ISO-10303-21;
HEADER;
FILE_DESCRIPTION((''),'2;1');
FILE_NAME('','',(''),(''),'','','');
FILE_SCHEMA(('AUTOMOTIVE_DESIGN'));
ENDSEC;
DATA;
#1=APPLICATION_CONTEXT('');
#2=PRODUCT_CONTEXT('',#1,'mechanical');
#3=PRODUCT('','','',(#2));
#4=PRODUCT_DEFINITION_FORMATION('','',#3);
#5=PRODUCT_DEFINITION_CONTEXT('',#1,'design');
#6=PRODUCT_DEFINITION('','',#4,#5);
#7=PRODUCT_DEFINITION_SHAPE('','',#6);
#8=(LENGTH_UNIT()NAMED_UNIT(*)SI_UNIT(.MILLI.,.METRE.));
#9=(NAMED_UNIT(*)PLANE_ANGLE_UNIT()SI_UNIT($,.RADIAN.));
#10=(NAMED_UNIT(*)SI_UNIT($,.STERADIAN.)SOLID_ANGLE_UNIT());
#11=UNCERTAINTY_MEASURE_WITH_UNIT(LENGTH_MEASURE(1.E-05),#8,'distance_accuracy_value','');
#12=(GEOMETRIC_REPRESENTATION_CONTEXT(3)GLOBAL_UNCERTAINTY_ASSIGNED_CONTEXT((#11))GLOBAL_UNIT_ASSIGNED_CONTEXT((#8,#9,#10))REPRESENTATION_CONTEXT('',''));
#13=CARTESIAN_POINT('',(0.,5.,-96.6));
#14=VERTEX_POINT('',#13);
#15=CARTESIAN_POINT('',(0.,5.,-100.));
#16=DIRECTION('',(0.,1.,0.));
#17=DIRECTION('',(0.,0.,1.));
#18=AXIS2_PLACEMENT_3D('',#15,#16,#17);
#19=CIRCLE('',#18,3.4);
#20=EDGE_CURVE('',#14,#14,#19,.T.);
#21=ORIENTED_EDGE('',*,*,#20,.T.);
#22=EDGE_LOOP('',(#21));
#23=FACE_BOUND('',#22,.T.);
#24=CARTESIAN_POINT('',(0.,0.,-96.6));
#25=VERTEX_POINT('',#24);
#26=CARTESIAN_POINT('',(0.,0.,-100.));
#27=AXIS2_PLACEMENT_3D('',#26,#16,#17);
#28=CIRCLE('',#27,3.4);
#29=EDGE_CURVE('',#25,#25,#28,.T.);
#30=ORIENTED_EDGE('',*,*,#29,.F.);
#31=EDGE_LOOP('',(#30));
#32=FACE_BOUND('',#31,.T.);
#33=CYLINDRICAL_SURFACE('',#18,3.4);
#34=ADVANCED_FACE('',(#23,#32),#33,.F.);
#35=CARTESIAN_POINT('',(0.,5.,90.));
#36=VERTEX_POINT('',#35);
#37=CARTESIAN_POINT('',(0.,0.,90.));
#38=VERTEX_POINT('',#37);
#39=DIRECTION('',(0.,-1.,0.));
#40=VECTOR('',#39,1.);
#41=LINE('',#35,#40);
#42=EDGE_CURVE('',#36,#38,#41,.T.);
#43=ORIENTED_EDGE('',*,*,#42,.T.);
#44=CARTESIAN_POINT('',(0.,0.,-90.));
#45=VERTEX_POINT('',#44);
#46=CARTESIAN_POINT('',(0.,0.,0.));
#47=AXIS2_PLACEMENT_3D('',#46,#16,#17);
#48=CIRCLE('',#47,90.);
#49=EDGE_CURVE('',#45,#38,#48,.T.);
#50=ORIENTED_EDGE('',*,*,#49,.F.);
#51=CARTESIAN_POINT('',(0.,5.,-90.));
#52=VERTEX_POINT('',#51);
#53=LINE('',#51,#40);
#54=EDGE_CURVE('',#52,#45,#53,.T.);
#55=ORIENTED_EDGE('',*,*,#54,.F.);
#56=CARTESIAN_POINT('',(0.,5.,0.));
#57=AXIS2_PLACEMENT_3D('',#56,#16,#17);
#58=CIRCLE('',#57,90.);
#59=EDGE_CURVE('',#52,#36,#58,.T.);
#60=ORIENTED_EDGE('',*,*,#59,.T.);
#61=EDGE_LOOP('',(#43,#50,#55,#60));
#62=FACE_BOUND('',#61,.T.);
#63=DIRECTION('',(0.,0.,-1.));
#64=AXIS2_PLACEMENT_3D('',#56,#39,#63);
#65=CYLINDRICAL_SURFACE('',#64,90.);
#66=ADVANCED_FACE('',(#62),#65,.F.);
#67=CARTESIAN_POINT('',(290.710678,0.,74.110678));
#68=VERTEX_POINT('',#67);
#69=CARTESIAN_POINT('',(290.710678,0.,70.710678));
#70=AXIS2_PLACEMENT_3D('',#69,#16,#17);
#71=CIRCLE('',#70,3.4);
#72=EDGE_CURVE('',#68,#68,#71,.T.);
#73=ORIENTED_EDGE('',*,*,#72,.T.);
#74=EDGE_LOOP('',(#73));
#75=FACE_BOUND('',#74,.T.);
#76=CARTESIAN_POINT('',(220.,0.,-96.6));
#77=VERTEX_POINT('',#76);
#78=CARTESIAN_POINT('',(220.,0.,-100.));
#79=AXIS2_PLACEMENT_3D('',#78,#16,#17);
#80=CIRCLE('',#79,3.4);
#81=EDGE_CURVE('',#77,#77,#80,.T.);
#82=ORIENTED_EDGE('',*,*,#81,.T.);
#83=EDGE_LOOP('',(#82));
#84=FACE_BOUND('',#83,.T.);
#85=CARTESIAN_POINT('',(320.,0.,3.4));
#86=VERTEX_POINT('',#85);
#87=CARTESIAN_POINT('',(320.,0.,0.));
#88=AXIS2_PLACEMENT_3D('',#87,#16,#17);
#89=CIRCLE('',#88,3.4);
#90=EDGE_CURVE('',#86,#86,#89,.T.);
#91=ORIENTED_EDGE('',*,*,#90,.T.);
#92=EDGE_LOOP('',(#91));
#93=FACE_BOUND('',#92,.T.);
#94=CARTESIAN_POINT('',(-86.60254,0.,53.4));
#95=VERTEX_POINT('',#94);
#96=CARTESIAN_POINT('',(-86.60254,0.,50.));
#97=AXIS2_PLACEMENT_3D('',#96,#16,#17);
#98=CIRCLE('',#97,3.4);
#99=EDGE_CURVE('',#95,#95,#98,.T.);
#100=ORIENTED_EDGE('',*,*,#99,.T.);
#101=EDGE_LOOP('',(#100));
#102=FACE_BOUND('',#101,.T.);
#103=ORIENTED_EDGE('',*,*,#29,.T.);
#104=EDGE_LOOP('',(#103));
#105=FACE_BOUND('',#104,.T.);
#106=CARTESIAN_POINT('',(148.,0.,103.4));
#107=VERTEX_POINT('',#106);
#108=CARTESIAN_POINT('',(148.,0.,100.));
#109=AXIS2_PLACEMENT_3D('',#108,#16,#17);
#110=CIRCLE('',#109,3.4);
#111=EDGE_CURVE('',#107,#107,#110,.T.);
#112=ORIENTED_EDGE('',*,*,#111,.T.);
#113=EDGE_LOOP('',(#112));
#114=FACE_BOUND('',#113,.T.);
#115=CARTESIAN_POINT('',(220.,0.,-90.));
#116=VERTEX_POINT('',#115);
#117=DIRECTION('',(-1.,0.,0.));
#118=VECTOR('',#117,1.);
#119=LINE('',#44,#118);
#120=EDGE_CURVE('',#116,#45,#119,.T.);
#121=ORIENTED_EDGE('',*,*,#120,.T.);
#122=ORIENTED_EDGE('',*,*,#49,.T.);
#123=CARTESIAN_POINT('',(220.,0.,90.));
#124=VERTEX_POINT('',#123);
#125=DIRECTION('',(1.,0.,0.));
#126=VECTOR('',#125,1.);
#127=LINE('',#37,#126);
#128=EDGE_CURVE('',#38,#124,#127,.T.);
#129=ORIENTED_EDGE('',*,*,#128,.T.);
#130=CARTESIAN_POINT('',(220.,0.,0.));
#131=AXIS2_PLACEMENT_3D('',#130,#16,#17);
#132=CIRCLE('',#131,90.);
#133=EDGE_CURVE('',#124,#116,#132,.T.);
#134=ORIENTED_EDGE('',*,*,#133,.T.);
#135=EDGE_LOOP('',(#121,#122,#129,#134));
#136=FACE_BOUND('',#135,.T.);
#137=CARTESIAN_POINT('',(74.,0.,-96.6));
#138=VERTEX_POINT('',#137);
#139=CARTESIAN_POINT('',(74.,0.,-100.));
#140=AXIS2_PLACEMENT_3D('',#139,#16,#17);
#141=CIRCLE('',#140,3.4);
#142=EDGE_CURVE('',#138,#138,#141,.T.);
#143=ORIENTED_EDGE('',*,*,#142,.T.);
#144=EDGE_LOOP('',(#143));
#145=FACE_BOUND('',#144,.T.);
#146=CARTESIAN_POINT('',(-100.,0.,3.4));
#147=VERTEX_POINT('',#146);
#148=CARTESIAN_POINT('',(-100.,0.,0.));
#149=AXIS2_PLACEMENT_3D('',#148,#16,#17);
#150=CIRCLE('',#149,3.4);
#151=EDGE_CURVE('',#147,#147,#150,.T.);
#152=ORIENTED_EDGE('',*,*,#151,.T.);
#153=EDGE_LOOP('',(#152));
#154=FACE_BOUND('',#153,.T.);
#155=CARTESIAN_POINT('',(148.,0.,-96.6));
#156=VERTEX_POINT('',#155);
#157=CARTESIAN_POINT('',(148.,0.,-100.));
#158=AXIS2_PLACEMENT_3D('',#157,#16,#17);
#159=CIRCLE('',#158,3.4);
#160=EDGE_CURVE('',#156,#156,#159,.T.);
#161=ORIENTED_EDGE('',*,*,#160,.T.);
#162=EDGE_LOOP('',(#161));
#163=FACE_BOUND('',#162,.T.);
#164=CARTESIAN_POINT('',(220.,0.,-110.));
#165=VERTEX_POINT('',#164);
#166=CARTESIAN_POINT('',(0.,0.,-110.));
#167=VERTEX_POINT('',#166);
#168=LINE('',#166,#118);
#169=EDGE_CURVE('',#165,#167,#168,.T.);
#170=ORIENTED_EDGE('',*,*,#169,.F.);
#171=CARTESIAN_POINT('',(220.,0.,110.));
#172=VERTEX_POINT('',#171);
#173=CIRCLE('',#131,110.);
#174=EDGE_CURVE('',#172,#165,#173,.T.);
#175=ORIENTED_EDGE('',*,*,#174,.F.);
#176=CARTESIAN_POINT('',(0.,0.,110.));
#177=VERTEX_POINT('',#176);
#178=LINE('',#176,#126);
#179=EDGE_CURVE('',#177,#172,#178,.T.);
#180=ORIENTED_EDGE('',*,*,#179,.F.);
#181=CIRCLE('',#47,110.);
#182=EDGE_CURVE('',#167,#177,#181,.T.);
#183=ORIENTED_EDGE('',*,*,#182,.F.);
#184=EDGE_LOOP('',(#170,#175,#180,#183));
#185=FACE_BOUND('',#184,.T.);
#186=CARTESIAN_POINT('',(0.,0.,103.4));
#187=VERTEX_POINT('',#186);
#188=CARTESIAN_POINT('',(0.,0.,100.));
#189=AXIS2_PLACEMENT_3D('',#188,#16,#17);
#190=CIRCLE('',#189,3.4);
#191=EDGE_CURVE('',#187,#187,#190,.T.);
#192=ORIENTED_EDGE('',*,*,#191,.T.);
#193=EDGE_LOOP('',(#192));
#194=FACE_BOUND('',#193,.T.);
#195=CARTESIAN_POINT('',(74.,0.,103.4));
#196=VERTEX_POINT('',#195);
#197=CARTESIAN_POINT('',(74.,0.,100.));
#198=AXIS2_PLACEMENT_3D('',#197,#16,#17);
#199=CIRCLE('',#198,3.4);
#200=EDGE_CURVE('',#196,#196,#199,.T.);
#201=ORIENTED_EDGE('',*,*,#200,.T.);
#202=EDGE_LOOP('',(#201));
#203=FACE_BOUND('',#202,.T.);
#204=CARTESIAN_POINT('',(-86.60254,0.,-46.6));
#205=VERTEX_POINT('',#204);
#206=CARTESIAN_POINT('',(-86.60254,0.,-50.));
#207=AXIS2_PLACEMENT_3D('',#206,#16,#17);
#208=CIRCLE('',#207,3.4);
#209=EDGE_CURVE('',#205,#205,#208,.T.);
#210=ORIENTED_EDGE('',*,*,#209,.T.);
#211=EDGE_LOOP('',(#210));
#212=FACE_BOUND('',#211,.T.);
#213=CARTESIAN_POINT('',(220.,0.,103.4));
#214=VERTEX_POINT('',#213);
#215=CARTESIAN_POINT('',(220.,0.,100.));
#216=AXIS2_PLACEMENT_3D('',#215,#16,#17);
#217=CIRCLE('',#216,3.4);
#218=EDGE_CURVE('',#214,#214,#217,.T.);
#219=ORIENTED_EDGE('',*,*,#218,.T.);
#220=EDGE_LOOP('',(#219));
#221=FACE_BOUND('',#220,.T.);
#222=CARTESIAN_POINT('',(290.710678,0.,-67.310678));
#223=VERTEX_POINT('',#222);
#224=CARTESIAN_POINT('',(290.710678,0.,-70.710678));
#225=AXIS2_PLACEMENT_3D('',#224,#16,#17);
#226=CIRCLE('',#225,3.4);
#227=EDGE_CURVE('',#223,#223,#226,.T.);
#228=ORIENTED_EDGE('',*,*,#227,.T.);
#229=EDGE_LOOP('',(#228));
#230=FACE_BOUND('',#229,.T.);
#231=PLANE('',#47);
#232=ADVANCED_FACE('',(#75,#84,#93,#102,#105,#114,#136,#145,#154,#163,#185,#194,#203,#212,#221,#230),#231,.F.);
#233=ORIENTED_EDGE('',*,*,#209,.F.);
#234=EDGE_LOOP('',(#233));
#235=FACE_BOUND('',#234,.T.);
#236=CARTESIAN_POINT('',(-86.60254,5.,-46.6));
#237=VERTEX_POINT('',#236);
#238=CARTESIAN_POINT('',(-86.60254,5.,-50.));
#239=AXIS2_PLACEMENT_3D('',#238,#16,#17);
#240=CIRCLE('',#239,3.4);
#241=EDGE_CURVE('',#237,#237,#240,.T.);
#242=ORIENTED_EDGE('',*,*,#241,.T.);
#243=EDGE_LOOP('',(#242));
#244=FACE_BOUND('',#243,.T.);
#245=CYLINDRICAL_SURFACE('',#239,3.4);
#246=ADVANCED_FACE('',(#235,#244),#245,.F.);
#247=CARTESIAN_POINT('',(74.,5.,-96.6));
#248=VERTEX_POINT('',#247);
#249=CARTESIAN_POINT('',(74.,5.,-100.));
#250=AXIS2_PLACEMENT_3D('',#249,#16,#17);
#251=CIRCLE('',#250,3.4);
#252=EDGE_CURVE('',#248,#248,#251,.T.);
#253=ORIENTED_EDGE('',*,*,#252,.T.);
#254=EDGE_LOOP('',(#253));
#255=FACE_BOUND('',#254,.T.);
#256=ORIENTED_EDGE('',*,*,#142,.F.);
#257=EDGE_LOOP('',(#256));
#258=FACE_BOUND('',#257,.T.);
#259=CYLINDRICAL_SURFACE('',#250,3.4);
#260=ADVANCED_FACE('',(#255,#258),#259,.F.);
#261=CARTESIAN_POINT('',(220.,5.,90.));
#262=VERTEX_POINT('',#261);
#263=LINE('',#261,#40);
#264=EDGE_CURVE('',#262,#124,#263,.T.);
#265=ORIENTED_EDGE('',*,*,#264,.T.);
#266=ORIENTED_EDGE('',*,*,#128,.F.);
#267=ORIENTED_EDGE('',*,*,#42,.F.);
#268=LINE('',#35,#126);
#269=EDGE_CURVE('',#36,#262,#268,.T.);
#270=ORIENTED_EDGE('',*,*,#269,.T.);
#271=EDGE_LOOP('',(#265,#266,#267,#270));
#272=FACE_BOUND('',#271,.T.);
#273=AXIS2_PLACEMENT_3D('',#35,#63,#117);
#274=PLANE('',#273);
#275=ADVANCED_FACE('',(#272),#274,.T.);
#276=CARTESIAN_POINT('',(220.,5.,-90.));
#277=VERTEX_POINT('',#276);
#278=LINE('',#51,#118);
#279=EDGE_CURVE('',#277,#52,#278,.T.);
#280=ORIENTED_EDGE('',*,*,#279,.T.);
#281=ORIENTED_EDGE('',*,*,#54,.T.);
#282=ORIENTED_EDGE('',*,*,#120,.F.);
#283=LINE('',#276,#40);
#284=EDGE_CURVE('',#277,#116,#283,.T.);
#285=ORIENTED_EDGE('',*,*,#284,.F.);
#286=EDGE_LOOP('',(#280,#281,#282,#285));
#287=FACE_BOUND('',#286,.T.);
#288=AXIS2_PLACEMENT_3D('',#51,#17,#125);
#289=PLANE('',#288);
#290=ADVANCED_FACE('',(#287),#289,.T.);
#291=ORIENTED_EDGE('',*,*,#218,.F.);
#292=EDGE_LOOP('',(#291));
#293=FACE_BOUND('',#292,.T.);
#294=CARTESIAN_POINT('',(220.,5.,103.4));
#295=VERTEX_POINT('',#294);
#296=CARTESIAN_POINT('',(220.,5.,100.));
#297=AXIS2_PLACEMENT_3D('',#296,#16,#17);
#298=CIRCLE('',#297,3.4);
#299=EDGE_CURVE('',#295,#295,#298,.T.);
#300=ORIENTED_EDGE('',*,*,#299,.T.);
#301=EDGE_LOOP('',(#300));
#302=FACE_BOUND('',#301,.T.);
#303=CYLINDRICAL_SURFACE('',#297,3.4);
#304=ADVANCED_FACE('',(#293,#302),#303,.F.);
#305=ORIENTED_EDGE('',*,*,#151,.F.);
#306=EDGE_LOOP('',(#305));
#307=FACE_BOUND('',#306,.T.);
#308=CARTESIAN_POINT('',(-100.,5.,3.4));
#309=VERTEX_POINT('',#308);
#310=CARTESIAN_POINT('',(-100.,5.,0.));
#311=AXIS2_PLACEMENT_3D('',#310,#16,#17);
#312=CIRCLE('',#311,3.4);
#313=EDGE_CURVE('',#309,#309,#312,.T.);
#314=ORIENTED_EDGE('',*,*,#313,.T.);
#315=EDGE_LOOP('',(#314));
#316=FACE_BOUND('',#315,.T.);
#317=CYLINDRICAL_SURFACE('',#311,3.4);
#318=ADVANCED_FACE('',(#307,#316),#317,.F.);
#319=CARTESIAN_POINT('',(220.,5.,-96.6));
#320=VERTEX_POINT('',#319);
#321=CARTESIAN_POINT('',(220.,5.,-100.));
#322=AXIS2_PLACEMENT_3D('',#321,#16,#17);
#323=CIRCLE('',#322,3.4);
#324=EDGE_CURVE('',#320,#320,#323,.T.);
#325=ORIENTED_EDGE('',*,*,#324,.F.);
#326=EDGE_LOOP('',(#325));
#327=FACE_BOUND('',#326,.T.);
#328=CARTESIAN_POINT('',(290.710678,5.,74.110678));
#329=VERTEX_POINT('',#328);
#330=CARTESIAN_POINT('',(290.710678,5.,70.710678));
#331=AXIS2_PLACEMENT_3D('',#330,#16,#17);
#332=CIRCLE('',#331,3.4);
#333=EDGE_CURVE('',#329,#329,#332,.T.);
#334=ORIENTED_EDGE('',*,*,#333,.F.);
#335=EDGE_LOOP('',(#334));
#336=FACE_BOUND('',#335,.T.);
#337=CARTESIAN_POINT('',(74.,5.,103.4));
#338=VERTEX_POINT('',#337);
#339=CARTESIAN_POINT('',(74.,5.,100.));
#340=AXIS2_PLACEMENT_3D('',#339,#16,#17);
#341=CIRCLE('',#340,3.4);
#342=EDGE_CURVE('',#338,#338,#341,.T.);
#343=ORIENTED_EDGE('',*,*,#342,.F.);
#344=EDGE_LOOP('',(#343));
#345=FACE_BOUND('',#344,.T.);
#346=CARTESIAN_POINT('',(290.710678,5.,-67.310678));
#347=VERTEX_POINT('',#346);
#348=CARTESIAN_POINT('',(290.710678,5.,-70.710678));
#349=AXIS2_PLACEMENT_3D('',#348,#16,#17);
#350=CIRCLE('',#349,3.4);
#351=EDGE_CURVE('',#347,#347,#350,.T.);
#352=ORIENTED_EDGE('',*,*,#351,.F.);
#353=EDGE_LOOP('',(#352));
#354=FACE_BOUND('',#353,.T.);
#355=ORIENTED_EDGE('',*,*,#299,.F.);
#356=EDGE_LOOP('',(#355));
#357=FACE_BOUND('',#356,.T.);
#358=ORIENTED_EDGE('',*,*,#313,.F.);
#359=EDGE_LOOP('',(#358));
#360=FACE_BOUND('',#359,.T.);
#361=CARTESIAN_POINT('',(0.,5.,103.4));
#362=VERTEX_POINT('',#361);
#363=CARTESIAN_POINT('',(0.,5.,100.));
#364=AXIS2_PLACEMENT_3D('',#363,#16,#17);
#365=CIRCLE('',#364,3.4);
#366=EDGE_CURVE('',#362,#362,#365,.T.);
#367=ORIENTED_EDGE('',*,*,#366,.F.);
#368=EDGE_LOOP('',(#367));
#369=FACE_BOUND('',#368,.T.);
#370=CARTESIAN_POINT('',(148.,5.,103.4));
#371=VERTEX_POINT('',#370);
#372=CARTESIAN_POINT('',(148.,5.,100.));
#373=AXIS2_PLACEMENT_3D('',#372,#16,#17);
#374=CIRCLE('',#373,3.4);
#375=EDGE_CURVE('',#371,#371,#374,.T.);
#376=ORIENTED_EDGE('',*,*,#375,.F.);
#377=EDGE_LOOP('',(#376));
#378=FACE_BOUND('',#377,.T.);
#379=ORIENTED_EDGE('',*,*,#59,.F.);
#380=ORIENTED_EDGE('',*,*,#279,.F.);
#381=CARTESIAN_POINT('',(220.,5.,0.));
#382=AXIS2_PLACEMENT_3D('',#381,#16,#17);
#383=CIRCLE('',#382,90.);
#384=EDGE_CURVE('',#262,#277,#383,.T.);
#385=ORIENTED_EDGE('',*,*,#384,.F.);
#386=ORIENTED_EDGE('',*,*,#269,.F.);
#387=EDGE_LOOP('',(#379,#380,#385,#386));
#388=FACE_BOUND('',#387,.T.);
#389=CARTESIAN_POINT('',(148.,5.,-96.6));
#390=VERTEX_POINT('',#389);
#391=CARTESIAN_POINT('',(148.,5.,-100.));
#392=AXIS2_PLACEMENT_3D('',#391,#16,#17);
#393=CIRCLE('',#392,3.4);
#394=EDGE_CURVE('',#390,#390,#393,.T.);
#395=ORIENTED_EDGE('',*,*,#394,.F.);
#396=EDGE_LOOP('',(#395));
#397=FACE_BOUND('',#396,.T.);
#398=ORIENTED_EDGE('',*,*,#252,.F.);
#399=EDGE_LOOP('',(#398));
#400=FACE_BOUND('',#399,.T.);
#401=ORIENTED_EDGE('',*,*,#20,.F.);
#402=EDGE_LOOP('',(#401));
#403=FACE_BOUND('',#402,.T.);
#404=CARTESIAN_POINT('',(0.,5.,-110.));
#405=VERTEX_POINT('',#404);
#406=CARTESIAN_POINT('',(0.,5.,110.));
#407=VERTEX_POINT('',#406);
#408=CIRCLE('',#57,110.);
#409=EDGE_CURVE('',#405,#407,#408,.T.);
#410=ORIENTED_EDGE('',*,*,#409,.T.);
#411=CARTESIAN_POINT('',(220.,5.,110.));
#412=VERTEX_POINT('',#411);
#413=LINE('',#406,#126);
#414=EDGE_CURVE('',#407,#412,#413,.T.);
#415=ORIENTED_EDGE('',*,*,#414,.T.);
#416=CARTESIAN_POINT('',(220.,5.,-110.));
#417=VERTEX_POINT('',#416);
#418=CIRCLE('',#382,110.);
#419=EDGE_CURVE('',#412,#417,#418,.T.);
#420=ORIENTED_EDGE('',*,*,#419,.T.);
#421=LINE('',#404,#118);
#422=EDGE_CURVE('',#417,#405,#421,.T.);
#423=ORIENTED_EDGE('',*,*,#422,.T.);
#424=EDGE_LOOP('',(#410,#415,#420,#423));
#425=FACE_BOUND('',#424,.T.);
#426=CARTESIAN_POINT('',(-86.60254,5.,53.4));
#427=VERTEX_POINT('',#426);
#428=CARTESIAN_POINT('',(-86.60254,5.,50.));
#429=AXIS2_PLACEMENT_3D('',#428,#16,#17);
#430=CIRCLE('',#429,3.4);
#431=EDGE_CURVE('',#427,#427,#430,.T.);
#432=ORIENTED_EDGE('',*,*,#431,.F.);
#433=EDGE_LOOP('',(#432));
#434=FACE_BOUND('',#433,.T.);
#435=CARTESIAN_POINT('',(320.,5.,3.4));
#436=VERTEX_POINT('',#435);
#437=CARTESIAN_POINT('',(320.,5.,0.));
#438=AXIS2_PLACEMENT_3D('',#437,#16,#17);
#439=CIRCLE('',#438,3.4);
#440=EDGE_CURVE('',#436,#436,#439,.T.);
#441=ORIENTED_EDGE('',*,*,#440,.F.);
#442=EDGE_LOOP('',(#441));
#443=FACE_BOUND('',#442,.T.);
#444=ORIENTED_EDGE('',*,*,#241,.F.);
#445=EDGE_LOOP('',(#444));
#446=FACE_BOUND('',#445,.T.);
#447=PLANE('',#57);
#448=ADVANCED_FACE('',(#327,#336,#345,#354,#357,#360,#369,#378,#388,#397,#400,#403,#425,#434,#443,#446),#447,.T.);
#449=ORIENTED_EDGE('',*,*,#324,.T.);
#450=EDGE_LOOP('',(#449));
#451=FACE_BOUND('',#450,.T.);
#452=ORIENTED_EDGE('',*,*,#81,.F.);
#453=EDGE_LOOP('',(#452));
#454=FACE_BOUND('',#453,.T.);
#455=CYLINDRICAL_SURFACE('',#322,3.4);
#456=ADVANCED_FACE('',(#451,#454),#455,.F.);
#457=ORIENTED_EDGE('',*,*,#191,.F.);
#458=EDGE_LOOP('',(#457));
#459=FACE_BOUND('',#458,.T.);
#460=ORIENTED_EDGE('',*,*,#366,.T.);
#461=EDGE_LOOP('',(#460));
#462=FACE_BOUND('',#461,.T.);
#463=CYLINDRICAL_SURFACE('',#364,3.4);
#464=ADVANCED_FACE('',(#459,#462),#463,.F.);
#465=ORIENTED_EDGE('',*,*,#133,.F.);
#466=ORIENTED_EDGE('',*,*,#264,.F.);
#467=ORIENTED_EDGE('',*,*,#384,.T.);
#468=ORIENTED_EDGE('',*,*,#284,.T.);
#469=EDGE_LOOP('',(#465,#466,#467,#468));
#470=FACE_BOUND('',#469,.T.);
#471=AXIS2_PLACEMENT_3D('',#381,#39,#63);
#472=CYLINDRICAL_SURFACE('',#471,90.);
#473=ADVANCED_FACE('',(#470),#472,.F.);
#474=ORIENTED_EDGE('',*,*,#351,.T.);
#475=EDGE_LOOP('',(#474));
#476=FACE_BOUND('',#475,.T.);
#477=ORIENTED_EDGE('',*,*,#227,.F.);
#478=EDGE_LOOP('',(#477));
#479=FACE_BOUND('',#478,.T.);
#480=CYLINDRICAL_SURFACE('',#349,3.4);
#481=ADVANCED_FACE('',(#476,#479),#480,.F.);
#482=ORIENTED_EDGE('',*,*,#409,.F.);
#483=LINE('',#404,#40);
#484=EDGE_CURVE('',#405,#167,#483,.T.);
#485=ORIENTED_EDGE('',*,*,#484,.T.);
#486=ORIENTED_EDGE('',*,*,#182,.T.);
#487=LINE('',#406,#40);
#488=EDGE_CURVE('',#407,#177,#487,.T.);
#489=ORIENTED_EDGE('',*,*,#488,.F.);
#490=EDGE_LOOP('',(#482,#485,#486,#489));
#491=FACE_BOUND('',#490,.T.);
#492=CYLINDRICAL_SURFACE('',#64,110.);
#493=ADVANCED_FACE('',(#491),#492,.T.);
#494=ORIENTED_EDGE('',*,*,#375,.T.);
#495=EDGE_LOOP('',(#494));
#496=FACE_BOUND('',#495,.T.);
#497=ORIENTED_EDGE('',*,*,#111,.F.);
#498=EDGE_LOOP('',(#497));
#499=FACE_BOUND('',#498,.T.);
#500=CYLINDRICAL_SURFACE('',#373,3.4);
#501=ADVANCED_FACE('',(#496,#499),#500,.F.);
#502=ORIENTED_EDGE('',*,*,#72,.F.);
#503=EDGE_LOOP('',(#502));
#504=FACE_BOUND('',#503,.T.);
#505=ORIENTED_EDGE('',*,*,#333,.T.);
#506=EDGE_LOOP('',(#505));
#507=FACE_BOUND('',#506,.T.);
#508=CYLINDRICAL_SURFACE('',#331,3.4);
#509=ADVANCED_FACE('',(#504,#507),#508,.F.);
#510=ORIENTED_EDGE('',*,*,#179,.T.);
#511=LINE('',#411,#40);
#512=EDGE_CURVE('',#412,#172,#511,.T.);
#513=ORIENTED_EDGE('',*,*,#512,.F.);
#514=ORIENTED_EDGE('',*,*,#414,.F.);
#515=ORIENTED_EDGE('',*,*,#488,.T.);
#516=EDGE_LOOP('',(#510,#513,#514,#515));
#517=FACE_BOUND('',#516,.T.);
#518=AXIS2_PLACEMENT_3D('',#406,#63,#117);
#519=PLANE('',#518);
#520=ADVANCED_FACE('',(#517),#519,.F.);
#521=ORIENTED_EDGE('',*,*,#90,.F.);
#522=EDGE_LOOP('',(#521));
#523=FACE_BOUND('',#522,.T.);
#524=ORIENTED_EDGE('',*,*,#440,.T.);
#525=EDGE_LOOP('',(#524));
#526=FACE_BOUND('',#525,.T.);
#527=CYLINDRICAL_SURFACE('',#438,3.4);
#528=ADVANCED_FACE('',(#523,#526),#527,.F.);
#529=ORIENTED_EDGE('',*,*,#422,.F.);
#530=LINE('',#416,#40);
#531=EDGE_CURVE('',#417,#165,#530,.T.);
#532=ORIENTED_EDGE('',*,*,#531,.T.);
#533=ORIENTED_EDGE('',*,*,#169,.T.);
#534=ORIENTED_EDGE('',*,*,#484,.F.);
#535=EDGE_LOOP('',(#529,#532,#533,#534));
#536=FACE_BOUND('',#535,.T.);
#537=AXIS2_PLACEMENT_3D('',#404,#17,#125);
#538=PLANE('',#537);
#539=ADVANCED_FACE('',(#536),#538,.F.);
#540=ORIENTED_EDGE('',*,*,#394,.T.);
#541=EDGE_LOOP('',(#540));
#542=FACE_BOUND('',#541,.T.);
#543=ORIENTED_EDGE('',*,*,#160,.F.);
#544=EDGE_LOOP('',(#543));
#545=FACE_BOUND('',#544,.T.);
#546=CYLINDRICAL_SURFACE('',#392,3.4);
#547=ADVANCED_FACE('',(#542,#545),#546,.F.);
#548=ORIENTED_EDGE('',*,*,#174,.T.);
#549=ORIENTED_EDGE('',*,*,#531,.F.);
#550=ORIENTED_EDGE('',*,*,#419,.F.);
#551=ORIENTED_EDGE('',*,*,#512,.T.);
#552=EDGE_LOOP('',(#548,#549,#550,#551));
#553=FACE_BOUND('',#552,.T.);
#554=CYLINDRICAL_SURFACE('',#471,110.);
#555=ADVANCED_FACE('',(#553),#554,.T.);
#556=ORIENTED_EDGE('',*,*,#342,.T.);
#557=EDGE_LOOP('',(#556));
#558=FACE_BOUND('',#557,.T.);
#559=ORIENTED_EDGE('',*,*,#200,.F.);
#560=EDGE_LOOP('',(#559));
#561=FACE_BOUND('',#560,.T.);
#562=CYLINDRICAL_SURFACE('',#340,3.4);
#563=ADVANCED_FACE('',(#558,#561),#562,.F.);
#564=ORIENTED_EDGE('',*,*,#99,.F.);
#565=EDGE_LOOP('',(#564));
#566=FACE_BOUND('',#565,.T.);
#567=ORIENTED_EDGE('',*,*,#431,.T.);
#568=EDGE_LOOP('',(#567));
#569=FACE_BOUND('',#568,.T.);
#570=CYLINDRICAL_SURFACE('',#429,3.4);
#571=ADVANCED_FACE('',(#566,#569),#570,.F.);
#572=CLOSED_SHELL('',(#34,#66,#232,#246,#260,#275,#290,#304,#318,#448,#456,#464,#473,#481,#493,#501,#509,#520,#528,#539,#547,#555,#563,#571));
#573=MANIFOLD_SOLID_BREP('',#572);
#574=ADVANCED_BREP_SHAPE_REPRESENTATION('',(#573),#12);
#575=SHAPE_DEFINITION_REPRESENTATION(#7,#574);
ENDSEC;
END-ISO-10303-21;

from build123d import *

# Parameters (mm, degrees)
BOSS_EXTRUDE1_DEPTH          = 5
TAP_DRILL_FOR_M8X1_25_TAP1_D = 6.8


with BuildPart() as part:
    # Sketch1 → Boss-Extrude1 (new body)
    with BuildSketch(Plane(origin=(0, 0, 0), x_dir=(1, 0, 0), z_dir=(0, 1, 0))):
        with BuildLine():
            Line((0, 110), (220, 110))
            ThreePointArc((220, 110), (330, 0), (220, -110))
            Line((220, -110), (0, -110))
            ThreePointArc((0, -110), (-110, 0), (0, 110))
        make_face()
        with BuildLine():
            Line((0, 90), (220, 90))
            ThreePointArc((220, 90), (310, 0), (220, -90))
            Line((220, -90), (0, -90))
            ThreePointArc((0, -90), (-90, 0), (0, 90))
        make_face(mode=Mode.SUBTRACT)
    extrude(amount=BOSS_EXTRUDE1_DEPTH)

    # Tap Drill for M8x1.25 Tap1 (through all)
    with Locations(Plane(origin=(0, 5, 0), x_dir=(1, 0, 0), z_dir=(0, 1, 0))):
        with Locations((-86.602540378, -50), (0, -100), (220, 100), (-100, 0), (-86.602540378, 50), (0, 100), (74, 100), (148, 100), (290.710678119, 70.710678119), (320, 0), (290.710678119, -70.710678119), (220, -100), (148, -100), (74, -100)):
            Hole(TAP_DRILL_FOR_M8X1_25_TAP1_D / 2)


solid = part.part
